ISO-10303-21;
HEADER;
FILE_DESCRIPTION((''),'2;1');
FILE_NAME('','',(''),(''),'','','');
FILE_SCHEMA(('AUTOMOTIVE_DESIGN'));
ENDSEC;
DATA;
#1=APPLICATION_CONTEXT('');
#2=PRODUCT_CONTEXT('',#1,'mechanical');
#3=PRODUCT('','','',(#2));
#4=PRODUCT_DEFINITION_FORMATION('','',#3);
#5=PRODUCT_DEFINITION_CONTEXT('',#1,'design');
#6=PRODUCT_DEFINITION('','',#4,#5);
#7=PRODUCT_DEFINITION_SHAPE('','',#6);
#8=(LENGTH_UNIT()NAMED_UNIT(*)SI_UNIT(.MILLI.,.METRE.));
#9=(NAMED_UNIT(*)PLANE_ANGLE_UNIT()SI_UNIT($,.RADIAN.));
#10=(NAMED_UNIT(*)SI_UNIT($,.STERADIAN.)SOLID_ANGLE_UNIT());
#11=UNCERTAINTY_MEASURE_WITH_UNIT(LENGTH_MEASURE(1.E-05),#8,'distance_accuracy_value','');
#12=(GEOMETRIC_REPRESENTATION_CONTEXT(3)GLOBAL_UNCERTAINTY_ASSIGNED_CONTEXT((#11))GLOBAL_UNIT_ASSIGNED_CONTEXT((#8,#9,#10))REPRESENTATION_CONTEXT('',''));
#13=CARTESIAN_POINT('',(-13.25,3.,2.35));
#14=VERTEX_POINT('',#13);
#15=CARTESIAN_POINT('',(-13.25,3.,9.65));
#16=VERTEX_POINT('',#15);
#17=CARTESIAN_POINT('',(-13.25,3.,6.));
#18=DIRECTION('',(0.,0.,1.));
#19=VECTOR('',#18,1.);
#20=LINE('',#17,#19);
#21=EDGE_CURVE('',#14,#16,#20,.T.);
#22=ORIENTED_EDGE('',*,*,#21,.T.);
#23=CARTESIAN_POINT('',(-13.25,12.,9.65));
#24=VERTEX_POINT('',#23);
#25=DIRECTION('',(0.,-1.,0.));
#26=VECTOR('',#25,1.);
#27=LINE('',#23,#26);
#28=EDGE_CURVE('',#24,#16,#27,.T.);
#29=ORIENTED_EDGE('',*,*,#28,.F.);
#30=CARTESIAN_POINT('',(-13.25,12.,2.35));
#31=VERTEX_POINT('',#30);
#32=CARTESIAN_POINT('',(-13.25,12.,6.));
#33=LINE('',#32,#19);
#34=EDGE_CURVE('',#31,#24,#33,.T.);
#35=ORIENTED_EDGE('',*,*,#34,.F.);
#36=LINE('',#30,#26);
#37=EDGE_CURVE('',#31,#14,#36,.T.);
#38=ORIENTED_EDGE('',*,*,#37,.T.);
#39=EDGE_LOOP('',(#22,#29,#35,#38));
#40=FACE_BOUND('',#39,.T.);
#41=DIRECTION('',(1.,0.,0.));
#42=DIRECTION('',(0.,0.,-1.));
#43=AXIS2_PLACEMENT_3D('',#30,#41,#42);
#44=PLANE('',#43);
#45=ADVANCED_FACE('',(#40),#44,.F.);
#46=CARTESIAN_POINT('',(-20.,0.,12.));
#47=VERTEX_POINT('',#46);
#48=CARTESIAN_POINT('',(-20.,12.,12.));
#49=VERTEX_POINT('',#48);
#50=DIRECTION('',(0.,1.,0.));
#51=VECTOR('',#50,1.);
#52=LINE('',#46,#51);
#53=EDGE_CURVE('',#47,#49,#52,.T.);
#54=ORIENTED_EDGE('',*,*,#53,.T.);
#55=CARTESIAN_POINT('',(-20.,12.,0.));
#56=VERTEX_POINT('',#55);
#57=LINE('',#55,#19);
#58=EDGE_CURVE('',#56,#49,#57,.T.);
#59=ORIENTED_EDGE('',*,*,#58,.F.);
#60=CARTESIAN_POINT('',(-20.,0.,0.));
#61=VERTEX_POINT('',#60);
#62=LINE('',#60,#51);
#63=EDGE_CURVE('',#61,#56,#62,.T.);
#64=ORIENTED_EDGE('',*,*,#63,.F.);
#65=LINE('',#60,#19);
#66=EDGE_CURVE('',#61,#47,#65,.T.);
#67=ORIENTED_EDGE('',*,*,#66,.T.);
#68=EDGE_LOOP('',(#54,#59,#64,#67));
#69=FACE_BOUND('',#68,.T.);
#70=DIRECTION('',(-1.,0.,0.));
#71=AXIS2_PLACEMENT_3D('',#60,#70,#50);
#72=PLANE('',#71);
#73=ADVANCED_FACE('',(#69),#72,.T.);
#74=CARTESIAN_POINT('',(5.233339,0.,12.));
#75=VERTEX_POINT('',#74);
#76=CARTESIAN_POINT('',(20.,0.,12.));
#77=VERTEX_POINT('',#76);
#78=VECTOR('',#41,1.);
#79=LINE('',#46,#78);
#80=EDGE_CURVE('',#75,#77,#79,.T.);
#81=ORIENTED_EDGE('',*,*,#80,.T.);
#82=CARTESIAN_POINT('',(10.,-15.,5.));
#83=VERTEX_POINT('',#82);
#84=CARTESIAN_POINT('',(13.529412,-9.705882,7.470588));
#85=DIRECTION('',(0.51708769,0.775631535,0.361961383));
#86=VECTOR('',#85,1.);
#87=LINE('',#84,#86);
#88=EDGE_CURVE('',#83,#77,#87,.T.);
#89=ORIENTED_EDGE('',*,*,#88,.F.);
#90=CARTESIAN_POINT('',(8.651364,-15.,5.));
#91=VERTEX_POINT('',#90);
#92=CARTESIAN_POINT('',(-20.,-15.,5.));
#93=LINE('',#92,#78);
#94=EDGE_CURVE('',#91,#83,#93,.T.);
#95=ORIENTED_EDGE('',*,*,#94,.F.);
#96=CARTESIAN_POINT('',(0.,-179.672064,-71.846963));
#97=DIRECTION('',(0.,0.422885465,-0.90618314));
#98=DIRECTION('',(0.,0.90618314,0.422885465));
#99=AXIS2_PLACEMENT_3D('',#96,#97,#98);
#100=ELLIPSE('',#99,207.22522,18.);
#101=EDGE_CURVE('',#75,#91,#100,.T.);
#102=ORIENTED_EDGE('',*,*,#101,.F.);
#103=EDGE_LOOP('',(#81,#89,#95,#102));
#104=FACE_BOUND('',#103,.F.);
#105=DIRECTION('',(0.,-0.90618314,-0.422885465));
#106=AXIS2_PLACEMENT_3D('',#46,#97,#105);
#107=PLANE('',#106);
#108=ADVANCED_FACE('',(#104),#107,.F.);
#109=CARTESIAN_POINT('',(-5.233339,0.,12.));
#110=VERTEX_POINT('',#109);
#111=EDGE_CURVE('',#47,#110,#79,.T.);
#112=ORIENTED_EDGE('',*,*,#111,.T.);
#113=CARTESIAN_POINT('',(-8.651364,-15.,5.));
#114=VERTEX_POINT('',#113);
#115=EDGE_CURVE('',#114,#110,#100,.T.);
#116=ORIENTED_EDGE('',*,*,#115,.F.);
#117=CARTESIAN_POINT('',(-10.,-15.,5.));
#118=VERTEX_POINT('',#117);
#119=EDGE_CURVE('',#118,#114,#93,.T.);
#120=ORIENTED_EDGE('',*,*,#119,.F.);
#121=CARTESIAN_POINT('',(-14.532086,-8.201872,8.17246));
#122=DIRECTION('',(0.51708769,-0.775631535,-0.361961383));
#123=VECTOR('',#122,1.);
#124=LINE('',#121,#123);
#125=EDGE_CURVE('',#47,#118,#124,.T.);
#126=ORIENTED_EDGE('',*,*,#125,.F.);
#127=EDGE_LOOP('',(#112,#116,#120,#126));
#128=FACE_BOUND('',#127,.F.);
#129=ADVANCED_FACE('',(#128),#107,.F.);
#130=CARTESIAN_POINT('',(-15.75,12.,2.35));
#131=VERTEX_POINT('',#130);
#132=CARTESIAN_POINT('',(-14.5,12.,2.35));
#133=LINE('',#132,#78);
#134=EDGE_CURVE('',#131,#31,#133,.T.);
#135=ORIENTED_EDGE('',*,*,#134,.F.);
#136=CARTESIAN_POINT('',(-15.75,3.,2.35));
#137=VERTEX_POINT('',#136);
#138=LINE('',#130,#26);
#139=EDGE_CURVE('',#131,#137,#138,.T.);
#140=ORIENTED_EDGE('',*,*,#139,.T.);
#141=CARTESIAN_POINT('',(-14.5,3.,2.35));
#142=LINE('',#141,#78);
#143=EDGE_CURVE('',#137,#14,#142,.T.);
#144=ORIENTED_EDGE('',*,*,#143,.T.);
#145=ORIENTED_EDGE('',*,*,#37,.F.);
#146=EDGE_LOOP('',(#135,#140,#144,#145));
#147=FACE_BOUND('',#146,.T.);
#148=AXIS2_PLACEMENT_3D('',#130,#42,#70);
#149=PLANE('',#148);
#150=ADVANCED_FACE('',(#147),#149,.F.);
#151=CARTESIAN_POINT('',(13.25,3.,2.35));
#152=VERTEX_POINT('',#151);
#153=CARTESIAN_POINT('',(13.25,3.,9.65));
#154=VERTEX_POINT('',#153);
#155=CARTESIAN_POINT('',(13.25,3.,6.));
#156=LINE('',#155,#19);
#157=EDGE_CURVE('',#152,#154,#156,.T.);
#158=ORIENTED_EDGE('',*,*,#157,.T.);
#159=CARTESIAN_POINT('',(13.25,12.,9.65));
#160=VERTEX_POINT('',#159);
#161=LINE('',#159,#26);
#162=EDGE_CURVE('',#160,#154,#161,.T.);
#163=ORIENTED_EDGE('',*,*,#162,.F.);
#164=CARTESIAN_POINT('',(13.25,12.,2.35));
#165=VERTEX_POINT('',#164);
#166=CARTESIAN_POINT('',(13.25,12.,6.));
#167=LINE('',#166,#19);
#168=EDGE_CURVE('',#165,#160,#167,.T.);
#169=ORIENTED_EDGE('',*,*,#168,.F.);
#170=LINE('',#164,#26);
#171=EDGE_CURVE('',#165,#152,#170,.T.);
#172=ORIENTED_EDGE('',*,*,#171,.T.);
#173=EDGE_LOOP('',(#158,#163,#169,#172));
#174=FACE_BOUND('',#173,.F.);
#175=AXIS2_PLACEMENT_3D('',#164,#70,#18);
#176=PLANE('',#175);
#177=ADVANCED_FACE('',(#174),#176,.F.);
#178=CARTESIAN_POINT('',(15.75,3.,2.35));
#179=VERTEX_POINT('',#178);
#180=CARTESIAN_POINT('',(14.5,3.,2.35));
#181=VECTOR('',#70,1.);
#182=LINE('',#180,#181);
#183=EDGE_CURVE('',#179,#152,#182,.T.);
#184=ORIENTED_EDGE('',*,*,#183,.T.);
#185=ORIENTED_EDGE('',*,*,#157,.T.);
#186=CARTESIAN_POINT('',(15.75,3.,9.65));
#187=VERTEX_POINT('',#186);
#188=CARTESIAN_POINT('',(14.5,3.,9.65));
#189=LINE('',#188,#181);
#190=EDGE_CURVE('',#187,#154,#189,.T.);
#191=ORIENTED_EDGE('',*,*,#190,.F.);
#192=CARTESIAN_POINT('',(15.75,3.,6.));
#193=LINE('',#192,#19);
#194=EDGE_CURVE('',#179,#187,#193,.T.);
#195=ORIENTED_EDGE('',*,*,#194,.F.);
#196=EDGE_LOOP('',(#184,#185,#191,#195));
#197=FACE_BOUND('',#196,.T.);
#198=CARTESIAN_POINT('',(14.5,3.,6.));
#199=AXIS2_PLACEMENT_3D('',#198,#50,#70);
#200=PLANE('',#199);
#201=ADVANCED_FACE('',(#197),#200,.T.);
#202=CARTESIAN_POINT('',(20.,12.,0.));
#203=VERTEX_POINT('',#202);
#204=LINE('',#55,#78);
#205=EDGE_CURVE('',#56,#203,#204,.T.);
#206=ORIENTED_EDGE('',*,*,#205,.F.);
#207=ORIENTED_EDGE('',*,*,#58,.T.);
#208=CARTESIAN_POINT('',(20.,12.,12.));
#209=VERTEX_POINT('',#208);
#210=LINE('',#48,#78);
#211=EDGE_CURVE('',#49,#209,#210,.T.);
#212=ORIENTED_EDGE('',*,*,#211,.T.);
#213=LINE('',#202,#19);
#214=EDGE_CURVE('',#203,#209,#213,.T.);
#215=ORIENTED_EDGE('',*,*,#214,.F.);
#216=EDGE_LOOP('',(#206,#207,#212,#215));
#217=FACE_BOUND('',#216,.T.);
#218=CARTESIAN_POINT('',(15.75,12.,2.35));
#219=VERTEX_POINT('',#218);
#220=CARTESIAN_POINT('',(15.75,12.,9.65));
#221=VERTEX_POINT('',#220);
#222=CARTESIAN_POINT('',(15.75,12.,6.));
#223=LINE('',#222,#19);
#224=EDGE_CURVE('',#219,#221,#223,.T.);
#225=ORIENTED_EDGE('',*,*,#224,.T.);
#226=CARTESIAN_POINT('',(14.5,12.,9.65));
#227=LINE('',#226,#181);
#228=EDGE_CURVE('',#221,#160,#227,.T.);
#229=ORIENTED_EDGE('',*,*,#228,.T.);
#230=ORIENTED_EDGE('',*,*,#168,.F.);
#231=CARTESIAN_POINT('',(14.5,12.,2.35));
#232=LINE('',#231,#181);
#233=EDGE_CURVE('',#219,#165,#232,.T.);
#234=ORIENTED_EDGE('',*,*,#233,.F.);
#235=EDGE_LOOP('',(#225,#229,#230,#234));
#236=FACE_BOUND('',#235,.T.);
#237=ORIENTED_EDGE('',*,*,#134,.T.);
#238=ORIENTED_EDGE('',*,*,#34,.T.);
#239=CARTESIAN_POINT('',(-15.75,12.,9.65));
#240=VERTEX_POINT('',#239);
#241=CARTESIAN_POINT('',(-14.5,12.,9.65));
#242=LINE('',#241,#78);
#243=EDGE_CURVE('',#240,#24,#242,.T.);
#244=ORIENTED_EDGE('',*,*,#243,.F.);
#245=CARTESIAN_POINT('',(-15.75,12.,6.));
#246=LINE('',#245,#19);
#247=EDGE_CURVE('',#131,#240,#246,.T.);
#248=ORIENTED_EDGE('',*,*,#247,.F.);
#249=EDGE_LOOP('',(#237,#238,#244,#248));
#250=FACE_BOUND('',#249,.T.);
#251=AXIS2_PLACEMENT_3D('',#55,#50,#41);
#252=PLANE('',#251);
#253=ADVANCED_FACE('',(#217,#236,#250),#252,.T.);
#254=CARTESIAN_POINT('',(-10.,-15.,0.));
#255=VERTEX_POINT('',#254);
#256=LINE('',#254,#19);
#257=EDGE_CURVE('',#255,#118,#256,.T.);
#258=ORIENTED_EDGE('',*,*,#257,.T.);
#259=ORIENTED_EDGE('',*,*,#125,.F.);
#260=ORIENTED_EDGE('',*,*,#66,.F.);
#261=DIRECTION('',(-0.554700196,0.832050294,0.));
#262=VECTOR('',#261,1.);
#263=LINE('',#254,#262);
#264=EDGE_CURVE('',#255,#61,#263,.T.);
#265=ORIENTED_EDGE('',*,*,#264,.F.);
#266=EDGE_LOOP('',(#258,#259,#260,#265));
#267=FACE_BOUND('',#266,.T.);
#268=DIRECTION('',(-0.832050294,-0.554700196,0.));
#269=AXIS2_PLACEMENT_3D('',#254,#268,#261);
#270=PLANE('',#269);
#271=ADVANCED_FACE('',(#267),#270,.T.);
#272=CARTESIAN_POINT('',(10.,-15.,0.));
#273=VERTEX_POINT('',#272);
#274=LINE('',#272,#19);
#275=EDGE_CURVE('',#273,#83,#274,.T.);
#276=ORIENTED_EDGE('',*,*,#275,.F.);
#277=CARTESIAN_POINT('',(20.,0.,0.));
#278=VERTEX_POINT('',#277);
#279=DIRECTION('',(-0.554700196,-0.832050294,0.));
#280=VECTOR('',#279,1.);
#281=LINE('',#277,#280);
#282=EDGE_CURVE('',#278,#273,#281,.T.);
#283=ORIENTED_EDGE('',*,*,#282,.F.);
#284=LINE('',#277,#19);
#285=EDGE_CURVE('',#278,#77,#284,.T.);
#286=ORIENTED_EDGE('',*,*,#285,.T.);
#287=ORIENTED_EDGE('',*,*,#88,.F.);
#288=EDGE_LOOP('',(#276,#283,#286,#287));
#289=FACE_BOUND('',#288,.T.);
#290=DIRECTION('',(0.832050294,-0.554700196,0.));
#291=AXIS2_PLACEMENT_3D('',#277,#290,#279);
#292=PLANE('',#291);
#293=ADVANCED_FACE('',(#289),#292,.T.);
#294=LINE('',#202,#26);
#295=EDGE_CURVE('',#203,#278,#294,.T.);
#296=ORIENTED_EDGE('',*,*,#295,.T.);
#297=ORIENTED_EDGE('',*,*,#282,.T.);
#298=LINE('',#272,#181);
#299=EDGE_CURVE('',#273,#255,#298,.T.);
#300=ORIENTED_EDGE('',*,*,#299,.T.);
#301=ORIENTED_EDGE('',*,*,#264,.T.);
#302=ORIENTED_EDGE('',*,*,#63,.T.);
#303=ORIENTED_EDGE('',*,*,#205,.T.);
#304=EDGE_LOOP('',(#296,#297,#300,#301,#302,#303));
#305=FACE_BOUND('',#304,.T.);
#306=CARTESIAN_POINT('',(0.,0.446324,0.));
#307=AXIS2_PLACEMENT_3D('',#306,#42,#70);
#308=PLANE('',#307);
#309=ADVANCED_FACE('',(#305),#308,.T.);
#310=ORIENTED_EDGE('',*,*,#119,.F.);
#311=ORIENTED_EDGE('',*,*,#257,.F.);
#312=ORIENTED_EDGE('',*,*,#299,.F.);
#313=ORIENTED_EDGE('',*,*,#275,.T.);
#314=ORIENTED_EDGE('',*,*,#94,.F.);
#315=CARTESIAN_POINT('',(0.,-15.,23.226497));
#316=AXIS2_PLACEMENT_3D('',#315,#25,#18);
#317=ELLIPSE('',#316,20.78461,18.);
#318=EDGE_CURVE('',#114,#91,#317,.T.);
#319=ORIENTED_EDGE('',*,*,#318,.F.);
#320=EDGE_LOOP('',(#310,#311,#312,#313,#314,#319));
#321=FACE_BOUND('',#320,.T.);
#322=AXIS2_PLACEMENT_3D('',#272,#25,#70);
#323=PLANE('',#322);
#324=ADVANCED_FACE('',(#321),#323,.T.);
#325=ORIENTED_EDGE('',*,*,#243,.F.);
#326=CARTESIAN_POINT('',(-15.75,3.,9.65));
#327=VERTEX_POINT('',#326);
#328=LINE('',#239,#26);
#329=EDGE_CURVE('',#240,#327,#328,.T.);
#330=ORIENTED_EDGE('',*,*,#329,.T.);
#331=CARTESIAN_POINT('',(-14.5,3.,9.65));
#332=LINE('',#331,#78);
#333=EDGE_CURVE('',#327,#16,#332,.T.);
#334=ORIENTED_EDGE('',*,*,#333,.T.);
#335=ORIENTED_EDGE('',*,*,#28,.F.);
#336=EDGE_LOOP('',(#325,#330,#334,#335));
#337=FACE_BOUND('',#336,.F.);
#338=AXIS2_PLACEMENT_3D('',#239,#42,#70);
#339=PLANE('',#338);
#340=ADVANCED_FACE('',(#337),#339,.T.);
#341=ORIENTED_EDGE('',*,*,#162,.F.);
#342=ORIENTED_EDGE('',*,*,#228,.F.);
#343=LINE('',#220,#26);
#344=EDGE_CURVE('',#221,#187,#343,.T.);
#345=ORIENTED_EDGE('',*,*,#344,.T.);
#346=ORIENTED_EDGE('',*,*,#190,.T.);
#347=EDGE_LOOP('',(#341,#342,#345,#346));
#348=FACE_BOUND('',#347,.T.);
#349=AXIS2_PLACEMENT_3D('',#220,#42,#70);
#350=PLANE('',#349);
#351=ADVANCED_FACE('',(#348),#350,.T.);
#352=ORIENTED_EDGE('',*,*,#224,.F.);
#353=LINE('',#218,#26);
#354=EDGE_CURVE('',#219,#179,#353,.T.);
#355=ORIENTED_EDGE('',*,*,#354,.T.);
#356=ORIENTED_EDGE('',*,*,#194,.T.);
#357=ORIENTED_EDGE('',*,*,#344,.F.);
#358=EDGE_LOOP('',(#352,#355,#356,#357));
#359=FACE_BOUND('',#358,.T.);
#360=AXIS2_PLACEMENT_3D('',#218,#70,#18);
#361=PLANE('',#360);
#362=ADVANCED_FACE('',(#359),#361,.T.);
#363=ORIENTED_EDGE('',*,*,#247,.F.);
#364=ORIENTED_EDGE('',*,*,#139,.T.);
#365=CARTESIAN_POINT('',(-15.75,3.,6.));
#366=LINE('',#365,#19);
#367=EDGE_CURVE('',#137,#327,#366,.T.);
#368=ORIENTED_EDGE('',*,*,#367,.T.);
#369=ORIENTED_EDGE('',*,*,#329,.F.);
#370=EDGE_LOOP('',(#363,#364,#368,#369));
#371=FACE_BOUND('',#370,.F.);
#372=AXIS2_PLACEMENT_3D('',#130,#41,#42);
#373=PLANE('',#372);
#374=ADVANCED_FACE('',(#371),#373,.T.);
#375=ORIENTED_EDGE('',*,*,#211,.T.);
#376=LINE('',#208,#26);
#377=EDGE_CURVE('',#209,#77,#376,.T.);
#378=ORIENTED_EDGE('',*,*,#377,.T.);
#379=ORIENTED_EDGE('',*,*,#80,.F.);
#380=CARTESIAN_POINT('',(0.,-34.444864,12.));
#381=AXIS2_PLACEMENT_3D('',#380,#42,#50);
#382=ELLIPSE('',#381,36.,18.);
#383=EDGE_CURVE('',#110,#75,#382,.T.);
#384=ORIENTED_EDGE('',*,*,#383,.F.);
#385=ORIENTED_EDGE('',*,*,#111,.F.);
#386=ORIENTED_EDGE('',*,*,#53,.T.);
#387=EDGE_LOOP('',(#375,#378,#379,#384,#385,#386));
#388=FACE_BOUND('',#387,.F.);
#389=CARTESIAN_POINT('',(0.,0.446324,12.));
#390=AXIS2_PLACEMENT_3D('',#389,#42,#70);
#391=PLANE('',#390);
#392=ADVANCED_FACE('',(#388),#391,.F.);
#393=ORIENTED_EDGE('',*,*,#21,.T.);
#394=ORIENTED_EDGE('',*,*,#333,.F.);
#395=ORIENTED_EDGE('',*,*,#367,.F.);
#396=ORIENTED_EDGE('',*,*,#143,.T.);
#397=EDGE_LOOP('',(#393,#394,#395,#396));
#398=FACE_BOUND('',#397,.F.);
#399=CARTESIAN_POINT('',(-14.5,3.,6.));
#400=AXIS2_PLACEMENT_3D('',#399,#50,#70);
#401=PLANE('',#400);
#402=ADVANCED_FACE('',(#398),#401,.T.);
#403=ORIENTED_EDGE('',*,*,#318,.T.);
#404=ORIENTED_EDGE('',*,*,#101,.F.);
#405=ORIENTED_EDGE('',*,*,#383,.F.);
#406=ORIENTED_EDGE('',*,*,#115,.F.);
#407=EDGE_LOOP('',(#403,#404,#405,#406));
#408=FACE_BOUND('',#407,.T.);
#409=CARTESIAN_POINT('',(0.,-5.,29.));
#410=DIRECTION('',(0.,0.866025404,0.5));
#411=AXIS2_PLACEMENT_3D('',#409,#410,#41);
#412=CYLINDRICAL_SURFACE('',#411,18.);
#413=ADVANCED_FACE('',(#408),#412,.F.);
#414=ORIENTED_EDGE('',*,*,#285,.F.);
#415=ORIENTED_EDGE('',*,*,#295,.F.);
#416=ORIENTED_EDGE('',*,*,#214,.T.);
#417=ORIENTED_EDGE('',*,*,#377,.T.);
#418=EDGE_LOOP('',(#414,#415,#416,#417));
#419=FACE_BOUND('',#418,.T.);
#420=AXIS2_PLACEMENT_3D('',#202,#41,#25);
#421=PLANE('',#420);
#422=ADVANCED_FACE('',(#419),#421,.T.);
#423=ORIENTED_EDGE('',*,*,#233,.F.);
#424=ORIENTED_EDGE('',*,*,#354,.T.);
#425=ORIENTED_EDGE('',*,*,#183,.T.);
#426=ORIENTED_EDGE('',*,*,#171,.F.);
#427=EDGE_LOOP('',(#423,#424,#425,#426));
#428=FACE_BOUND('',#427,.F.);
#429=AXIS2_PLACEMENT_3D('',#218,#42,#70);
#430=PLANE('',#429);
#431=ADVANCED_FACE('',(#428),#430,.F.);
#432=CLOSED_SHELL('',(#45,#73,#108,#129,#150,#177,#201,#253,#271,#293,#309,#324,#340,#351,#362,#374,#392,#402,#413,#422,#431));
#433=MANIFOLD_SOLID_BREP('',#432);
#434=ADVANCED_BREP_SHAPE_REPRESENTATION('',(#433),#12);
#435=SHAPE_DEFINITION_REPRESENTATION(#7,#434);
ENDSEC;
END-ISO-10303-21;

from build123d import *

# Parameters (mm, degrees)
CYLINDER_R               = 18
CYLINDER_DEPTH           = 30
CYLINDER_PLACEMENT_ANGLE = 120
PAD_DEPTH                = 12
POCKET_DEPTH             = 40.001
SKETCH002_W              = 2.5
SKETCH002_H              = 7.3
POCKET001_DEPTH          = 9


with BuildPart() as cilindro:
    # Cylinder → Cylinder (new body)
    with BuildSketch(Plane.XY):
        Circle(CYLINDER_R)
    extrude(amount=CYLINDER_DEPTH)


with BuildPart() as cilindro_1:
    # Cylinder placement: moved
    add(cilindro.part.moved(Location((0, -5, 29))).rotate(Axis((0, -5, 29), (1, 0, 0)), CYLINDER_PLACEMENT_ANGLE))


with BuildPart() as cut:
    # Sketch → Pad (new body)
    with BuildSketch(Plane.XY):
        Polygon((-20, 12), (20, 12), (20, 0), (10, -15), (-10, -15), (-20, 0), align=None)
    extrude(amount=PAD_DEPTH)

    # Sketch001 (on Face6 of Pad) → Pocket (cut, through all)
    with BuildSketch(Plane(origin=(-20, 0, 0), x_dir=(0, -1, 0), z_dir=(-1, 0, 0))):
        Polygon((0, 12), (15, 5), (15, 12), align=None)
    extrude(amount=-POCKET_DEPTH, mode=Mode.SUBTRACT)

    # Sketch002 (on Face1 of Pocket) → Pocket001 (cut)
    with BuildSketch(Plane(origin=(0, 12, 0), x_dir=(-1, 0, 0), z_dir=(0, 1, 0))):
        with Locations((-14.5, 6)):
            Rectangle(SKETCH002_W, SKETCH002_H)
    pocket001 = extrude(amount=-POCKET001_DEPTH, mode=Mode.SUBTRACT)

    # Mirrored: Pocket001 across Sketch002 V_Axis
    add(pocket001.mirror(Plane(origin=(0, 12, 0), x_dir=(0, 1, 0), z_dir=(-1, 0, 0))), mode=Mode.SUBTRACT)

    # Cut: cut Cilindro
    add(cilindro_1.part, mode=Mode.SUBTRACT)


solid = cut.part
